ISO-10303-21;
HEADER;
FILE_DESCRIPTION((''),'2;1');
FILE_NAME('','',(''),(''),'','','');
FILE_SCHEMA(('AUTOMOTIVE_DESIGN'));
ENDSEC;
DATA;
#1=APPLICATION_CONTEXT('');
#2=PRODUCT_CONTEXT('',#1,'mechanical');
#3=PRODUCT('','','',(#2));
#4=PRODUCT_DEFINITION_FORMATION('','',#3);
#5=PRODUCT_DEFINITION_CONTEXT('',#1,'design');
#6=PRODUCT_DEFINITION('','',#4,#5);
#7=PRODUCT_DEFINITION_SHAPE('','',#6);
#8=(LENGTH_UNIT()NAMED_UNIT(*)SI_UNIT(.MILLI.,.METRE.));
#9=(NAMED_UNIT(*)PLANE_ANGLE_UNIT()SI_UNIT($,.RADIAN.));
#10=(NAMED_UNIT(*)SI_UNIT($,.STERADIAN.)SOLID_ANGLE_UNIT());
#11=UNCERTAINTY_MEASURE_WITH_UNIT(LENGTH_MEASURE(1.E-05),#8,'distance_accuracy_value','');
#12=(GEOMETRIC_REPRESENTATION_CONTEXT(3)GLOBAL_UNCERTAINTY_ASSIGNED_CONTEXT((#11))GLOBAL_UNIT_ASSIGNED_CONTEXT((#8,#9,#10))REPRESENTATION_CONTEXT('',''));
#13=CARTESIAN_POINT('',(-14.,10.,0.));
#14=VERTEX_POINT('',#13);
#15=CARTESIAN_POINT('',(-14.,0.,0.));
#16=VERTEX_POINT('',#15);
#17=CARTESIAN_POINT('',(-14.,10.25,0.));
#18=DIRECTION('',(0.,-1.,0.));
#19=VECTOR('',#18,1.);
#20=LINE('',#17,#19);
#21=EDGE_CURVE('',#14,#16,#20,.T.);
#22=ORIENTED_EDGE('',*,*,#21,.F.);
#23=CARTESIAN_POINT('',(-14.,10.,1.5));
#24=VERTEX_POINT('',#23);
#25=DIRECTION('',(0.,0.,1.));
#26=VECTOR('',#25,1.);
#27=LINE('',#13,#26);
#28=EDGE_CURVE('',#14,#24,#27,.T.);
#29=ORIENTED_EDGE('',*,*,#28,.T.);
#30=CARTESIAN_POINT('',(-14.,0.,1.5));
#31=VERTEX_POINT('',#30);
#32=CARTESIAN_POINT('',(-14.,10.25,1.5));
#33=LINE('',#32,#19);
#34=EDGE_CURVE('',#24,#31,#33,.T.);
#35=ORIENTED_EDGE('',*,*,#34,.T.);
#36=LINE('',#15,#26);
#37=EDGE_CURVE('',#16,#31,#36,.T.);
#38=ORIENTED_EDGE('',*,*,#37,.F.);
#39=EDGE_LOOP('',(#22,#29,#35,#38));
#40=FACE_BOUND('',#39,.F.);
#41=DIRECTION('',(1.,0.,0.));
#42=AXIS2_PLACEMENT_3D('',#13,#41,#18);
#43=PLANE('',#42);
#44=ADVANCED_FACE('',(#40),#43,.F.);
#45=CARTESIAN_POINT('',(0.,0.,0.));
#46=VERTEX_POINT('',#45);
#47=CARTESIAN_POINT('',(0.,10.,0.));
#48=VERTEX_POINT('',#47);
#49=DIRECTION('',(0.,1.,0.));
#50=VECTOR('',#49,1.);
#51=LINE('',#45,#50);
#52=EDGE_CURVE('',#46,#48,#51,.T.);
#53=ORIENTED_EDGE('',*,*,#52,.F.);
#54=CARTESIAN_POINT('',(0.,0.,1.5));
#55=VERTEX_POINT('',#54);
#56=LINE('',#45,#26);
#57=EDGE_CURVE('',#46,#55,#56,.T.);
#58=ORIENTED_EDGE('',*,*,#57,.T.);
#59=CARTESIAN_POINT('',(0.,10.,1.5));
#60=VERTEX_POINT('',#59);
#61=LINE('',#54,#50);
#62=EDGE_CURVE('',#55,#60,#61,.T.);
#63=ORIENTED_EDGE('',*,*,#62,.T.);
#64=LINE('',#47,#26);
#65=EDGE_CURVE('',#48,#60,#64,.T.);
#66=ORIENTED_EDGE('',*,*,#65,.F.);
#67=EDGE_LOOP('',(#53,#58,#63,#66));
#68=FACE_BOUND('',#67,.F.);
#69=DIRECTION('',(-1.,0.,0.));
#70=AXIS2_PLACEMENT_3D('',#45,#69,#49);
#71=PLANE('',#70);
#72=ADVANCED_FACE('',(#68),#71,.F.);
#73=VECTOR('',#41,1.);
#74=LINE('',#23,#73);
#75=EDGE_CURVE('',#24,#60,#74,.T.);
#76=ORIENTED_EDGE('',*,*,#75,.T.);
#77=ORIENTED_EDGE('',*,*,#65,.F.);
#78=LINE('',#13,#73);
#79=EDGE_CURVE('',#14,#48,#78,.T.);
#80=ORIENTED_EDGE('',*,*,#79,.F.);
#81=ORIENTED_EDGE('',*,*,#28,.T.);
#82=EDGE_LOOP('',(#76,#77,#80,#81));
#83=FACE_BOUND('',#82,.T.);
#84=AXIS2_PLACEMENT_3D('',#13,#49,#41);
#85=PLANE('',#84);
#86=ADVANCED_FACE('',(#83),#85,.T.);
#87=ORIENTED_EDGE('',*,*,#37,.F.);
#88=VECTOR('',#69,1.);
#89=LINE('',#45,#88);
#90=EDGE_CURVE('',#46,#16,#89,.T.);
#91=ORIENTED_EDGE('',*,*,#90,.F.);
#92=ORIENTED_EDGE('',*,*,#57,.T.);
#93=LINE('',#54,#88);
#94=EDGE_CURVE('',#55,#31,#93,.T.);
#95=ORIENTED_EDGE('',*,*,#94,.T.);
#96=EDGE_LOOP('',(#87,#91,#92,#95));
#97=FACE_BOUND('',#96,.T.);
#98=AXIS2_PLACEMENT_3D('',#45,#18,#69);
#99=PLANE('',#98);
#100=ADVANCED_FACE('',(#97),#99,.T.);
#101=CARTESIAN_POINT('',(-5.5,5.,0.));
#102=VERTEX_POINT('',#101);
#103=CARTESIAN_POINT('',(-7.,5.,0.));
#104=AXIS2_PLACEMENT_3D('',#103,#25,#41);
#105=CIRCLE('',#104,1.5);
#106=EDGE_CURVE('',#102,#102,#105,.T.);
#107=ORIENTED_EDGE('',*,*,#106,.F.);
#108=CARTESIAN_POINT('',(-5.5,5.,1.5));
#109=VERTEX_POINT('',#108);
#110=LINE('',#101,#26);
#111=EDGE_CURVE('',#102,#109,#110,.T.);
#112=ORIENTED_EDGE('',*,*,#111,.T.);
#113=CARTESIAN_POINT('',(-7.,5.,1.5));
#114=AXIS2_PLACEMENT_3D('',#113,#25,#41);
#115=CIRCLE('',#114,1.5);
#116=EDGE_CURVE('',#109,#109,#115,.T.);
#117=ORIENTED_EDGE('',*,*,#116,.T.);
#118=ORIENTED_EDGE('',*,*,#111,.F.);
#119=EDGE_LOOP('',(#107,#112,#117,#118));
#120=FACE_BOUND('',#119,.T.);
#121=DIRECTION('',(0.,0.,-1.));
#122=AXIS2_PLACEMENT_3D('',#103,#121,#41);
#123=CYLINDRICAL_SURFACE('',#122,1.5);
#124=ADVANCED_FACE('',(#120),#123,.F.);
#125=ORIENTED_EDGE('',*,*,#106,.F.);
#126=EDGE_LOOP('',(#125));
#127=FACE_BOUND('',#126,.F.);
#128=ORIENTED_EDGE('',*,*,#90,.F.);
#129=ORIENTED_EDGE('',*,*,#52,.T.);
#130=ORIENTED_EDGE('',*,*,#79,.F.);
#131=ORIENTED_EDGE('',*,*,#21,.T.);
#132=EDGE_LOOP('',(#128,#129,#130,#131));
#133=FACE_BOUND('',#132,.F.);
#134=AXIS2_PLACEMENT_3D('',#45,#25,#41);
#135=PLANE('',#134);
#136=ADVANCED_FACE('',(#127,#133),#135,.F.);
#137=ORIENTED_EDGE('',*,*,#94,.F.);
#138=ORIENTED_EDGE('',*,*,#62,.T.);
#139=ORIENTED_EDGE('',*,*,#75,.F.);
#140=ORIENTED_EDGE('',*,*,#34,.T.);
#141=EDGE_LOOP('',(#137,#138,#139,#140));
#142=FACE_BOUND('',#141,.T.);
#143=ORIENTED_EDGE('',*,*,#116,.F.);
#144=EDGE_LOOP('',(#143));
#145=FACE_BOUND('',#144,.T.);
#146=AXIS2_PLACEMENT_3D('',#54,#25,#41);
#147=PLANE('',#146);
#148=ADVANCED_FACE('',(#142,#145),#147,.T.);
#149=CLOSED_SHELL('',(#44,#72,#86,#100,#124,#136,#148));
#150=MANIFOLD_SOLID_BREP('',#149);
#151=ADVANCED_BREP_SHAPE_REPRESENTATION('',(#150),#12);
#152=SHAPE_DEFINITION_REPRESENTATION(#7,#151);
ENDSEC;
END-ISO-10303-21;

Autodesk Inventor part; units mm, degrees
ref_plane "YZ Plane" through (0, 0, 0) normal (1, 0, 0) x (0, 1, 0)
ref_plane "XZ Plane" through (0, 0, 0) normal (0, 1, 0) x (-1, 0, 0)
ref_plane "XY Plane" through (0, 0, 0) normal (0, 0, 1) x (1, 0, 0)
sketch "Sketch1" plane through (0, 0, 0) normal (0, 0, 1) x (1, 0, 0)
  line L0 (-14, -0.25) -> (0, -0.25) projected
  line L1 (0, -0.25) -> (0, 0) projected
  line L2 (0, 0) -> (0, 10) projected
  line L3 (0, 10) -> (0, 10.25) projected
  line L4 (0, 10.25) -> (-14, 10.25) projected
  line L5 (-14, 10.25) -> (-14, -0.25) projected
  circle A0 centre (-7, 5) radius 1.5 projected
  line L6 (0, 0) -> (-14, 0)
  line L7 (-14, 0) -> (-14, 10)
  line L8 (-14, 10) -> (0, 10)
  line L9 (0, 10) -> (0, 0)
  dimension "d0" = 0.25
  dimension "d1" = 0.25
extrude "Extrusion1" add sketch "Sketch1" along normal blind 1.5 contours L5 L8 L2 L6
properties part number "arm_plate"
